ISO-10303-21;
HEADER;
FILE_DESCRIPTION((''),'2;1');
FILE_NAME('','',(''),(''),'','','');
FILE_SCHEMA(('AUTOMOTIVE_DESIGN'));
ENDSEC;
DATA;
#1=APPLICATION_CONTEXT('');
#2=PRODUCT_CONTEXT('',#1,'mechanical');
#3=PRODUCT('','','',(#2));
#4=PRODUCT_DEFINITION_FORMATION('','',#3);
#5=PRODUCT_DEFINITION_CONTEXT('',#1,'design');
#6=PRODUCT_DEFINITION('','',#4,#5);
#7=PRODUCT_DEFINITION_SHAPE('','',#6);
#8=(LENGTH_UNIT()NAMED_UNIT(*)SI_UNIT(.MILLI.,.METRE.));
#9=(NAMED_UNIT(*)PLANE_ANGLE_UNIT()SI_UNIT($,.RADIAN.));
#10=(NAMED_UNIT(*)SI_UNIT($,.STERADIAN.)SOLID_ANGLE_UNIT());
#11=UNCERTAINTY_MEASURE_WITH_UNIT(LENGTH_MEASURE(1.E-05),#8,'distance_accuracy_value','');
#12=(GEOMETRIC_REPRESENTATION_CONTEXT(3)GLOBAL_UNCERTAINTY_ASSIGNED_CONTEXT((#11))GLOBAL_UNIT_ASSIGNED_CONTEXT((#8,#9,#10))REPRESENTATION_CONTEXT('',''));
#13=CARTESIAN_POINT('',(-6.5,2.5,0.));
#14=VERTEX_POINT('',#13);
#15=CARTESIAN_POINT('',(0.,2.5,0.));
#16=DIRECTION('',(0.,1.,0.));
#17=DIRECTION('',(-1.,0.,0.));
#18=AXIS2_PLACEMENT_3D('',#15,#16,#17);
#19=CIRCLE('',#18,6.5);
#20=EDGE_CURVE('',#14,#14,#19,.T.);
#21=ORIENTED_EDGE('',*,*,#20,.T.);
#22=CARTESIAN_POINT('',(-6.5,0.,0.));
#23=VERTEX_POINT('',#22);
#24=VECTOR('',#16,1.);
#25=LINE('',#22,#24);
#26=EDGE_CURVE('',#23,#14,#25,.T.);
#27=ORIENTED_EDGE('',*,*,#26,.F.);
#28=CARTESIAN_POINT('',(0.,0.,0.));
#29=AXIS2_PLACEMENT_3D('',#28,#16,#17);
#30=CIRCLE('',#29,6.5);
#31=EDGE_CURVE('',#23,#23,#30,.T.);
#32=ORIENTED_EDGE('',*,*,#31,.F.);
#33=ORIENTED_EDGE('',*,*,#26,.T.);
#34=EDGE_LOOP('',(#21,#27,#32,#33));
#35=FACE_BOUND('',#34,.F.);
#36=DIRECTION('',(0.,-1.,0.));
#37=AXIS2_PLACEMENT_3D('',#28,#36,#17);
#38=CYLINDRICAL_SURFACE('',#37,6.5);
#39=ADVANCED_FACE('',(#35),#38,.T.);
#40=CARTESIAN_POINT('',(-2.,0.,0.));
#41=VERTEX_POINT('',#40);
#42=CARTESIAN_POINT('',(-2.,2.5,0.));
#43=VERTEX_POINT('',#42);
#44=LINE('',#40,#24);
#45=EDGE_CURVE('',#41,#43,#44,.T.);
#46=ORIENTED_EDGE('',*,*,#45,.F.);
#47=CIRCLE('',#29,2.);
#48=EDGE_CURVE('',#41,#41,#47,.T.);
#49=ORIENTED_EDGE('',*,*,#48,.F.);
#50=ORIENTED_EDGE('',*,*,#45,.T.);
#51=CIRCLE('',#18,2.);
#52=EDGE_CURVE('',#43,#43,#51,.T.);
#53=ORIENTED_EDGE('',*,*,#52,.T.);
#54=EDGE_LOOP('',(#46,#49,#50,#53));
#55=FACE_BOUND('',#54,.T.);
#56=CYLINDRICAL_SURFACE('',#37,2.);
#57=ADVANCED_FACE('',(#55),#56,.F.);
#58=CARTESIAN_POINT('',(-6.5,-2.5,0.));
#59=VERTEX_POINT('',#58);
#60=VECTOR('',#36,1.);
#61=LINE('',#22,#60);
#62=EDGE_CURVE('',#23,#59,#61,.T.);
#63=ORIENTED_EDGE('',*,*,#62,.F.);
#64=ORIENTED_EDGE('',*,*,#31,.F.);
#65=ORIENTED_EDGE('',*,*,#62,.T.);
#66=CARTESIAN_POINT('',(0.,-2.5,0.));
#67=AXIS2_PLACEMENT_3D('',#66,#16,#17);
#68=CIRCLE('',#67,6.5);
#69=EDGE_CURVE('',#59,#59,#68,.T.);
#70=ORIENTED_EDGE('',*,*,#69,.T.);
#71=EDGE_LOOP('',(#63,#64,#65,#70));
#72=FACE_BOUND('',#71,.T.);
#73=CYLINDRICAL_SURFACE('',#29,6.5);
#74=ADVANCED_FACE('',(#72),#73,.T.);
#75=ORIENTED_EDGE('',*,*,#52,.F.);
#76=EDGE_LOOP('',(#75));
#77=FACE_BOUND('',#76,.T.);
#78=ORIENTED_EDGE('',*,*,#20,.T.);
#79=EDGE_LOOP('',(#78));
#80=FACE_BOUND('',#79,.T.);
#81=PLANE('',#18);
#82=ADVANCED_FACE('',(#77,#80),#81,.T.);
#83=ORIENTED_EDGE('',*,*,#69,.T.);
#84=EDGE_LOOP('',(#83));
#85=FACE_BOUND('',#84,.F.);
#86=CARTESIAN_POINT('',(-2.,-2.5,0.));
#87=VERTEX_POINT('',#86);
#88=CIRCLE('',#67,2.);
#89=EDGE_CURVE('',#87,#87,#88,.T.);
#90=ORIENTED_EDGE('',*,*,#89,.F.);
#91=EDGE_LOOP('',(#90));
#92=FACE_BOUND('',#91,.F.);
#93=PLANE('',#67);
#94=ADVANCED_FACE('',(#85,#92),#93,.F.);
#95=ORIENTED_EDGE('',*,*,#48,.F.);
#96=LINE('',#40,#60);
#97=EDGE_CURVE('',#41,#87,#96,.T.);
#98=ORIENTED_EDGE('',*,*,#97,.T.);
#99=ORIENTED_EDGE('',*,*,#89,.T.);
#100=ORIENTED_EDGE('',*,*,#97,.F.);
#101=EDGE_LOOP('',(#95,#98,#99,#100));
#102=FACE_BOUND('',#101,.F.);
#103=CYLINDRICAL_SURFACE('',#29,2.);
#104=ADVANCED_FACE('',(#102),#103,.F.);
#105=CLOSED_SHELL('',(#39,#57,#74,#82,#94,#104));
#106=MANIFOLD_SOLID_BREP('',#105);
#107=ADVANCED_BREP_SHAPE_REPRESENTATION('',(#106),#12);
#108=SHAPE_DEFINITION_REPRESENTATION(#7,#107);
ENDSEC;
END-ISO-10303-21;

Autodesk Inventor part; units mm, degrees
ref_plane "YZ Plane" through (0, 0, 0) normal (1, 0, 0) x (0, 1, 0)
ref_plane "XZ Plane" through (0, 0, 0) normal (0, 1, 0) x (-1, 0, 0)
ref_plane "XY Plane" through (0, 0, 0) normal (0, 0, 1) x (1, 0, 0)
sketch "Sketch1" plane through (0, 0, 0) normal (0, 1, 0) x (-1, 0, 0)
  circle A0 centre (0, 0) radius 2
  circle A1 centre (0, 0) radius 6.5
  dimension "d0" = 4
  dimension "d1" = 13
extrude "Extrusion1" add sketch "Sketch1" along normal mid plane 5
properties part number "Bearing" material "Aluminum 6061"
